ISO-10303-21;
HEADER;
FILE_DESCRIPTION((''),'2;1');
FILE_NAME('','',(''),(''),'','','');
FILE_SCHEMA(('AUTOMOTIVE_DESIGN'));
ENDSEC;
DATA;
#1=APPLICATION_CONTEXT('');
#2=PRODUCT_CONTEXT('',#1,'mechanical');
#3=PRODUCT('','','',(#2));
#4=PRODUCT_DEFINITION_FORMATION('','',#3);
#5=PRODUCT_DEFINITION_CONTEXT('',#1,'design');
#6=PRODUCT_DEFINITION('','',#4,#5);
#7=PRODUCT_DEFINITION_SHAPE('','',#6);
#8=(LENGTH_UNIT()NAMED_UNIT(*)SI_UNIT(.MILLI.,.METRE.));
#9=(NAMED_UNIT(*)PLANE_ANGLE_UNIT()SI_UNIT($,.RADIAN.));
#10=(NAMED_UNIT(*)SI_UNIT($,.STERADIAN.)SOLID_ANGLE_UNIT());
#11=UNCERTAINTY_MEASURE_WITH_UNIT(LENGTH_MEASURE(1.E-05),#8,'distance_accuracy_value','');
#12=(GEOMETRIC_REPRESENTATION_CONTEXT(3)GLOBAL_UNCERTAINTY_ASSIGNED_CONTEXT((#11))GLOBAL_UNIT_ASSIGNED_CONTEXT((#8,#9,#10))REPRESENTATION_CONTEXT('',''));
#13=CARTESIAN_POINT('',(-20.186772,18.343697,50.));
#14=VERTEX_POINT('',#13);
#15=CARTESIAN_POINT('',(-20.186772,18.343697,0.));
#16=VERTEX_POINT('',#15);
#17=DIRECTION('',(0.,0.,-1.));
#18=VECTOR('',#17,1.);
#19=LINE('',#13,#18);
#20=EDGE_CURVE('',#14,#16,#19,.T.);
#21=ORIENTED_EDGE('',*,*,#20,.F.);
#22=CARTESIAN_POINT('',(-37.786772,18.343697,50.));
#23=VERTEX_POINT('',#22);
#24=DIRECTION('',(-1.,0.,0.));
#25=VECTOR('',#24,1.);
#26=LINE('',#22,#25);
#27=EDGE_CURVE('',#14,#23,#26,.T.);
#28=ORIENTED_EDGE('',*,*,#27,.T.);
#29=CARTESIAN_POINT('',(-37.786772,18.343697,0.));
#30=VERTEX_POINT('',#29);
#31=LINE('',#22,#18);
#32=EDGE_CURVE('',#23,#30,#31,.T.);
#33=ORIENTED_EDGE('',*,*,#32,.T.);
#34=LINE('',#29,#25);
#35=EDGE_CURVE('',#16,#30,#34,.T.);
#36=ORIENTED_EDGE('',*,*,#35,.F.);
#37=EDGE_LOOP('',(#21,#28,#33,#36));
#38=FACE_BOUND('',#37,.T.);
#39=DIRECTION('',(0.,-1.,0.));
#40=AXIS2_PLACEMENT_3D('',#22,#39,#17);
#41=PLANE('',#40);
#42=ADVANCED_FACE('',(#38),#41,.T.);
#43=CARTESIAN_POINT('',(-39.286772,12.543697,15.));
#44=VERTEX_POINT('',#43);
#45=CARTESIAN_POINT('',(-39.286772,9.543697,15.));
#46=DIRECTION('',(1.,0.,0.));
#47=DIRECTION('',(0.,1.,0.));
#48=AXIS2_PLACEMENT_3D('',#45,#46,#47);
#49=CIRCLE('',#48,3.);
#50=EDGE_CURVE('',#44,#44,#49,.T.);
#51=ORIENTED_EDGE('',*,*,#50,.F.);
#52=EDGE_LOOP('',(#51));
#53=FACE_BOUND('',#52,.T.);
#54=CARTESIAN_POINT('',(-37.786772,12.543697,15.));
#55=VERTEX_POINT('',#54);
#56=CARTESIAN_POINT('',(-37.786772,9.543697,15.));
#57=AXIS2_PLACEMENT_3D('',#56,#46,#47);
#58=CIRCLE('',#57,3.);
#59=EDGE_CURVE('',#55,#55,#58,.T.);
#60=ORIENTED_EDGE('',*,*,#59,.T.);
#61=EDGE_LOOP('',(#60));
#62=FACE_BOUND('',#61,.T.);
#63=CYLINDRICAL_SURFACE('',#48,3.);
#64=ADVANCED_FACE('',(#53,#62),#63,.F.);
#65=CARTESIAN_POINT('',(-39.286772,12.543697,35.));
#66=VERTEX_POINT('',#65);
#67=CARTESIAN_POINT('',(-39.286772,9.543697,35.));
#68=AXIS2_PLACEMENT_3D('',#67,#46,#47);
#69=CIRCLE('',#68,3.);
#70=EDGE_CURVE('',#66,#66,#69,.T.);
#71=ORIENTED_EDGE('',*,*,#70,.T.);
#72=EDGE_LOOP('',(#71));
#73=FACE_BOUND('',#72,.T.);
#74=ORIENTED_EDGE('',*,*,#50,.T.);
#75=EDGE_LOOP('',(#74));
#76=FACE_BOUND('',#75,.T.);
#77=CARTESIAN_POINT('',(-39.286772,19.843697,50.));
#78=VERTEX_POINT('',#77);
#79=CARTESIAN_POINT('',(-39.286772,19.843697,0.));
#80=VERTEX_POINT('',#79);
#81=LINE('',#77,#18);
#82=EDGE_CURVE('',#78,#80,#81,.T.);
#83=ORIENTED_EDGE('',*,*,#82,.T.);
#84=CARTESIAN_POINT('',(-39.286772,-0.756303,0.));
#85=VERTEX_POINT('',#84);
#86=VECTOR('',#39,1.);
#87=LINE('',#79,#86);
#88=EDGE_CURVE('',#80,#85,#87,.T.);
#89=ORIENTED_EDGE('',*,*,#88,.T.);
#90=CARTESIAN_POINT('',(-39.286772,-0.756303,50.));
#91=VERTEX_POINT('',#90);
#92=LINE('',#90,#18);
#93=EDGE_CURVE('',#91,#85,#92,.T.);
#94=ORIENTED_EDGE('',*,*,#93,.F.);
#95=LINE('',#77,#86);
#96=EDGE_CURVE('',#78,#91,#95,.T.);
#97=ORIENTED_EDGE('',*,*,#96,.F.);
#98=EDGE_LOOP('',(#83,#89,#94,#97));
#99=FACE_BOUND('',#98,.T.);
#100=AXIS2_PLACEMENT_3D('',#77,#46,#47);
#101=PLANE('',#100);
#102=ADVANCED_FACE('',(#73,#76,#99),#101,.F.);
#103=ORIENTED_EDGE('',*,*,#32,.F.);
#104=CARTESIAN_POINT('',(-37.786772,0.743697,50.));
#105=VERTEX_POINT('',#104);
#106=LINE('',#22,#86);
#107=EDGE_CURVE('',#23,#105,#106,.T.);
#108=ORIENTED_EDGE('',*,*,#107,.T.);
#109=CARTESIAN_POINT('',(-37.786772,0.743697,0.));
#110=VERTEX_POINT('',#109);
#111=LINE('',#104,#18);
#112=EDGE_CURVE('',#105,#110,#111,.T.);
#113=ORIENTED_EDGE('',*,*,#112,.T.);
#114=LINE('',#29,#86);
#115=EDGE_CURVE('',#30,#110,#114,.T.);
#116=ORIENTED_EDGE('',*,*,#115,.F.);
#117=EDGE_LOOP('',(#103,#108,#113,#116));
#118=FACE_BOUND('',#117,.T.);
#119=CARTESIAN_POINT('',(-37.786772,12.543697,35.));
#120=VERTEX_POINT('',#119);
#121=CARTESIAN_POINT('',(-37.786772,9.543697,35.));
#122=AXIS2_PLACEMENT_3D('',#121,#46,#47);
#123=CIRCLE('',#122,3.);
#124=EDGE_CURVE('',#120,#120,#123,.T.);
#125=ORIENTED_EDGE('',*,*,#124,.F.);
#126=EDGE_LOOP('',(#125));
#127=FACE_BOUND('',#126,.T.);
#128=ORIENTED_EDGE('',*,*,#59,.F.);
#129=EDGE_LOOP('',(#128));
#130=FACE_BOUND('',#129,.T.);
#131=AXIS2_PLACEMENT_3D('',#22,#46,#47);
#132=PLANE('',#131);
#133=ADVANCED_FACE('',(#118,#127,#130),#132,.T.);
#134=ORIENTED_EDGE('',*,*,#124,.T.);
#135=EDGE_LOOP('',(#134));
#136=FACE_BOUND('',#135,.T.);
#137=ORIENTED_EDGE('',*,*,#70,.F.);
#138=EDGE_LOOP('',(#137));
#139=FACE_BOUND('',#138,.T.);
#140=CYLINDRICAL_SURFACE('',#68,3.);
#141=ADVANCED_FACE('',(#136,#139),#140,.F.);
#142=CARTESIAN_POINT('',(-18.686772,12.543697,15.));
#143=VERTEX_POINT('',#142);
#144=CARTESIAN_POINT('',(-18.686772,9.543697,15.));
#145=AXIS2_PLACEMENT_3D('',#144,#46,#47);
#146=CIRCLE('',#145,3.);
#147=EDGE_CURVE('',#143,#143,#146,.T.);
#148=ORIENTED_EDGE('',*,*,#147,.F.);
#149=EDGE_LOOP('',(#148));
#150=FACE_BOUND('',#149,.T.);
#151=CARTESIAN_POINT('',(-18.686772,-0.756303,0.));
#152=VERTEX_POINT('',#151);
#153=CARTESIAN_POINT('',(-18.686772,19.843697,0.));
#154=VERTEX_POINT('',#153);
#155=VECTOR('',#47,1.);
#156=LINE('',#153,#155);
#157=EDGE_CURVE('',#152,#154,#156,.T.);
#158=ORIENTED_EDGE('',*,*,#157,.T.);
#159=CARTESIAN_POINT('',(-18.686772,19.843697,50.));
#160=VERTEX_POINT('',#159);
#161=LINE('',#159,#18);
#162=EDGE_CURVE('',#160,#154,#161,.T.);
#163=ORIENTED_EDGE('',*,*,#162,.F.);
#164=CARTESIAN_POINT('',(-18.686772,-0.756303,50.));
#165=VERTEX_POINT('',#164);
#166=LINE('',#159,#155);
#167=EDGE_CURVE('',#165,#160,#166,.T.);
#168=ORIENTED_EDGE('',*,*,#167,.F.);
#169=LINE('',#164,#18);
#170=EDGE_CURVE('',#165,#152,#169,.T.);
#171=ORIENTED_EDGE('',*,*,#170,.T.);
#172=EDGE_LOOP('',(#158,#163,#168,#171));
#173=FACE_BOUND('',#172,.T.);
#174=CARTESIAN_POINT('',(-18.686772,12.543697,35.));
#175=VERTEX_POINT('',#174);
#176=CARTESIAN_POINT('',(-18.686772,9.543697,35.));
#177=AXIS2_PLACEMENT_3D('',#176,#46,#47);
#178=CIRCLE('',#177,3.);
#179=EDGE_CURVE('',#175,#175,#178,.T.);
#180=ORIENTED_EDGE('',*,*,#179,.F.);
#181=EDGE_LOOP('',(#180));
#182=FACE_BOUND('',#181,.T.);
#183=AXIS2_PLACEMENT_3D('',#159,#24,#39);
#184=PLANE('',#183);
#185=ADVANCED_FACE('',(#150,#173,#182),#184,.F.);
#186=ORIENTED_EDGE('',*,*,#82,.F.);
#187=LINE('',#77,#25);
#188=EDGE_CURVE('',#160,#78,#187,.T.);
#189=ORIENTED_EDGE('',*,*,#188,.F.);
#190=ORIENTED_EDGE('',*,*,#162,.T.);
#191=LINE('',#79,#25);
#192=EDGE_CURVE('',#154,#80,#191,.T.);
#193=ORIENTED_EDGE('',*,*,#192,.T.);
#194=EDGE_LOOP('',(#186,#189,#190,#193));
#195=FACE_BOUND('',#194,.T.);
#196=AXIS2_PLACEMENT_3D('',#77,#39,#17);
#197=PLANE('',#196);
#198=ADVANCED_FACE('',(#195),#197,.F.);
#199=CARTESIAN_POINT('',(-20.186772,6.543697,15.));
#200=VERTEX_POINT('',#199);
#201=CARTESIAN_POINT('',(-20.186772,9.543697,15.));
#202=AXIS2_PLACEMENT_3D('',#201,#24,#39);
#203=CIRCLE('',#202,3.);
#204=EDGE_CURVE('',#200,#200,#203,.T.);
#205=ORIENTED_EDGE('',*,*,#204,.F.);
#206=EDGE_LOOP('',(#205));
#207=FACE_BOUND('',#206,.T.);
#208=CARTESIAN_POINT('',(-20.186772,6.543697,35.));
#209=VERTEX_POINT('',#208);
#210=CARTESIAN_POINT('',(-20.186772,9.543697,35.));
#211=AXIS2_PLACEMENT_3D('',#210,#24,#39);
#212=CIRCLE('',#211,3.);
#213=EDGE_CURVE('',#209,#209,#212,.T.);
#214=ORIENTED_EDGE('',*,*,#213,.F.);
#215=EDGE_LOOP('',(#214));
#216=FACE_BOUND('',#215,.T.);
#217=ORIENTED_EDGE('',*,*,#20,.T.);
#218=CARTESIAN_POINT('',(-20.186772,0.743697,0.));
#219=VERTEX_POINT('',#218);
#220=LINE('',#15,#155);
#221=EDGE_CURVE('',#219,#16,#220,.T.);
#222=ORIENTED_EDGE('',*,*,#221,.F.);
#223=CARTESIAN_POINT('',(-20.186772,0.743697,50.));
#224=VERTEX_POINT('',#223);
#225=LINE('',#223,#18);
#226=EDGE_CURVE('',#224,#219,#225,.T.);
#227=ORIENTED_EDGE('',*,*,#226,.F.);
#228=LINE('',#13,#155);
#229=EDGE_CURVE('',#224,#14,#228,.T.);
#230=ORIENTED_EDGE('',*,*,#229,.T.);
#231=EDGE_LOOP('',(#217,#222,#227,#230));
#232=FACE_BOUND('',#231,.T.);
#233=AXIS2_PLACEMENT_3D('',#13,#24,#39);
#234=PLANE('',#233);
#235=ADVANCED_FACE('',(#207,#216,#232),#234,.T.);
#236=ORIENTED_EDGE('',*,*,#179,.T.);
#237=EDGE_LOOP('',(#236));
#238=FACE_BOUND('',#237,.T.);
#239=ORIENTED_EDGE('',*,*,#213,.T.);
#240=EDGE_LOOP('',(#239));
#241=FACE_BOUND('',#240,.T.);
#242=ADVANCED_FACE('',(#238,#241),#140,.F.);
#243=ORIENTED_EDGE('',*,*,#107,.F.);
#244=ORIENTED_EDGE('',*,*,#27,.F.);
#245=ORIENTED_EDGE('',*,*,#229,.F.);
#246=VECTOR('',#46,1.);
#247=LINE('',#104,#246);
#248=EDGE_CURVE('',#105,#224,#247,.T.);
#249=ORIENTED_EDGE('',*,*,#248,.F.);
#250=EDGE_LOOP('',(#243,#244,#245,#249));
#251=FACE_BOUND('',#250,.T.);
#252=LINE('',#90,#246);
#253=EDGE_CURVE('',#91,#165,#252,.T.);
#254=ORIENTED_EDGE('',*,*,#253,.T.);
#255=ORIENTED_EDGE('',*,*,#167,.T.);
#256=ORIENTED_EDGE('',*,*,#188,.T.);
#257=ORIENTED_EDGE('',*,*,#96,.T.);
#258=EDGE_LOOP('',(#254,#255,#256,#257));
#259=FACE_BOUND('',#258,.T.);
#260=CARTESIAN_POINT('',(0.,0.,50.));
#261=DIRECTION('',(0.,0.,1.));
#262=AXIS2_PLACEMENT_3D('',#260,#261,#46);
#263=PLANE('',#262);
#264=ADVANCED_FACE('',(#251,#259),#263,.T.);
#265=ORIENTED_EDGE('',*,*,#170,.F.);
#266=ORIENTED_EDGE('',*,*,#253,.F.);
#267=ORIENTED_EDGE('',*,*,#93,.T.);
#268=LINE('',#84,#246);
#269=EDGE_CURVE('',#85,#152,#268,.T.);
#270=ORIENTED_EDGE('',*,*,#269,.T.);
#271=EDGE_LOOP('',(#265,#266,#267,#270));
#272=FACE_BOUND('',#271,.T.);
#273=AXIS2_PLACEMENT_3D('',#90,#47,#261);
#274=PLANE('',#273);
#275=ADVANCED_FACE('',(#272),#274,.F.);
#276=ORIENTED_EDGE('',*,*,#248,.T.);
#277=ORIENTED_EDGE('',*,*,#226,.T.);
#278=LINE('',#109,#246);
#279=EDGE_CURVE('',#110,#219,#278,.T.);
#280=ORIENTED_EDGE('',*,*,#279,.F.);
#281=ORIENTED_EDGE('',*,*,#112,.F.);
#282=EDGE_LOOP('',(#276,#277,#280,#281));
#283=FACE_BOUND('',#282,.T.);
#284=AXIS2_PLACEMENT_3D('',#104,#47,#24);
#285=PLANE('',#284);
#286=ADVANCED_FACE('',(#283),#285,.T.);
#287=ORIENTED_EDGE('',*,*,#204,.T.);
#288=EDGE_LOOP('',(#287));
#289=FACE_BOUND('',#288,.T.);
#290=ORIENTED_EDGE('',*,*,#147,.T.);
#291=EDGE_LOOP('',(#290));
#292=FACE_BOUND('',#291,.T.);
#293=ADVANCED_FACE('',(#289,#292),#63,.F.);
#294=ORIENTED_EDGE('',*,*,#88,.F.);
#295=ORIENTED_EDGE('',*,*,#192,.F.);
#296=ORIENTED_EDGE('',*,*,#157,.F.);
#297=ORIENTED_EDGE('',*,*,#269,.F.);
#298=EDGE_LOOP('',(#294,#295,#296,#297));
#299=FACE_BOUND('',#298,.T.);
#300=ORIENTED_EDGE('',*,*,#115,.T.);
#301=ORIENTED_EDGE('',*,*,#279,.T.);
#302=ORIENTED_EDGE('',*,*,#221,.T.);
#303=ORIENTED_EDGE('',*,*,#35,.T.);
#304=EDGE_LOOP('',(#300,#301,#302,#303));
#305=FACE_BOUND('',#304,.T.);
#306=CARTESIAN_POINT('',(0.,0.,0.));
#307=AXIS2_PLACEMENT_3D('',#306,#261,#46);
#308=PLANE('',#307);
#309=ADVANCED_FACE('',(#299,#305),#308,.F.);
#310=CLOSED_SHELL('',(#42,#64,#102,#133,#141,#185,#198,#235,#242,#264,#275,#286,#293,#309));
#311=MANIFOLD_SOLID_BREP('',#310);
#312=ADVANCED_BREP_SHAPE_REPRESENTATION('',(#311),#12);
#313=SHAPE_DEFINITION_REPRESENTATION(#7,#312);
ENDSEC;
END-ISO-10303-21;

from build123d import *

# Parameters (mm, degrees)
SKETCH_1_W          = 20.6
SKETCH_1_H          = 20.6
SKETCH_1_W_2        = 17.6
SKETCH_1_H_2        = 17.6
EXTRUDE_1_DEPTH     = 50
SKETCH_2_R          = 3
CUT_EXTRUDE_1_DEPTH = 21.6


with BuildPart() as part:
    # Эскиз1 → Бобышка-Вытянуть1 (new body)
    with BuildSketch(Plane.XY):
        with Locations((-28.986771917, 9.543697479)):
            Rectangle(SKETCH_1_W, SKETCH_1_H)
        with Locations((-28.986771917, 9.543697479)):
            Rectangle(SKETCH_1_W_2, SKETCH_1_H_2, mode=Mode.SUBTRACT)
    extrude(amount=EXTRUDE_1_DEPTH)

    # Эскиз2 → Вырез-Вытянуть1 (cut, through all)
    with BuildSketch(Plane(origin=(-18.686771917, 0, 0), x_dir=(0, 0, -1), z_dir=(1, 0, 0))):
        with Locations(Location((-35, 9.543697479, 0), (0, 0, 90))):  # turned: the seam where the file's is
            Circle(SKETCH_2_R)
        with Locations(Location((-15, 9.543697479, 0), (0, 0, 90))):  # turned: the seam where the file's is
            Circle(SKETCH_2_R)
    extrude(amount=-CUT_EXTRUDE_1_DEPTH, mode=Mode.SUBTRACT)


solid = part.part
